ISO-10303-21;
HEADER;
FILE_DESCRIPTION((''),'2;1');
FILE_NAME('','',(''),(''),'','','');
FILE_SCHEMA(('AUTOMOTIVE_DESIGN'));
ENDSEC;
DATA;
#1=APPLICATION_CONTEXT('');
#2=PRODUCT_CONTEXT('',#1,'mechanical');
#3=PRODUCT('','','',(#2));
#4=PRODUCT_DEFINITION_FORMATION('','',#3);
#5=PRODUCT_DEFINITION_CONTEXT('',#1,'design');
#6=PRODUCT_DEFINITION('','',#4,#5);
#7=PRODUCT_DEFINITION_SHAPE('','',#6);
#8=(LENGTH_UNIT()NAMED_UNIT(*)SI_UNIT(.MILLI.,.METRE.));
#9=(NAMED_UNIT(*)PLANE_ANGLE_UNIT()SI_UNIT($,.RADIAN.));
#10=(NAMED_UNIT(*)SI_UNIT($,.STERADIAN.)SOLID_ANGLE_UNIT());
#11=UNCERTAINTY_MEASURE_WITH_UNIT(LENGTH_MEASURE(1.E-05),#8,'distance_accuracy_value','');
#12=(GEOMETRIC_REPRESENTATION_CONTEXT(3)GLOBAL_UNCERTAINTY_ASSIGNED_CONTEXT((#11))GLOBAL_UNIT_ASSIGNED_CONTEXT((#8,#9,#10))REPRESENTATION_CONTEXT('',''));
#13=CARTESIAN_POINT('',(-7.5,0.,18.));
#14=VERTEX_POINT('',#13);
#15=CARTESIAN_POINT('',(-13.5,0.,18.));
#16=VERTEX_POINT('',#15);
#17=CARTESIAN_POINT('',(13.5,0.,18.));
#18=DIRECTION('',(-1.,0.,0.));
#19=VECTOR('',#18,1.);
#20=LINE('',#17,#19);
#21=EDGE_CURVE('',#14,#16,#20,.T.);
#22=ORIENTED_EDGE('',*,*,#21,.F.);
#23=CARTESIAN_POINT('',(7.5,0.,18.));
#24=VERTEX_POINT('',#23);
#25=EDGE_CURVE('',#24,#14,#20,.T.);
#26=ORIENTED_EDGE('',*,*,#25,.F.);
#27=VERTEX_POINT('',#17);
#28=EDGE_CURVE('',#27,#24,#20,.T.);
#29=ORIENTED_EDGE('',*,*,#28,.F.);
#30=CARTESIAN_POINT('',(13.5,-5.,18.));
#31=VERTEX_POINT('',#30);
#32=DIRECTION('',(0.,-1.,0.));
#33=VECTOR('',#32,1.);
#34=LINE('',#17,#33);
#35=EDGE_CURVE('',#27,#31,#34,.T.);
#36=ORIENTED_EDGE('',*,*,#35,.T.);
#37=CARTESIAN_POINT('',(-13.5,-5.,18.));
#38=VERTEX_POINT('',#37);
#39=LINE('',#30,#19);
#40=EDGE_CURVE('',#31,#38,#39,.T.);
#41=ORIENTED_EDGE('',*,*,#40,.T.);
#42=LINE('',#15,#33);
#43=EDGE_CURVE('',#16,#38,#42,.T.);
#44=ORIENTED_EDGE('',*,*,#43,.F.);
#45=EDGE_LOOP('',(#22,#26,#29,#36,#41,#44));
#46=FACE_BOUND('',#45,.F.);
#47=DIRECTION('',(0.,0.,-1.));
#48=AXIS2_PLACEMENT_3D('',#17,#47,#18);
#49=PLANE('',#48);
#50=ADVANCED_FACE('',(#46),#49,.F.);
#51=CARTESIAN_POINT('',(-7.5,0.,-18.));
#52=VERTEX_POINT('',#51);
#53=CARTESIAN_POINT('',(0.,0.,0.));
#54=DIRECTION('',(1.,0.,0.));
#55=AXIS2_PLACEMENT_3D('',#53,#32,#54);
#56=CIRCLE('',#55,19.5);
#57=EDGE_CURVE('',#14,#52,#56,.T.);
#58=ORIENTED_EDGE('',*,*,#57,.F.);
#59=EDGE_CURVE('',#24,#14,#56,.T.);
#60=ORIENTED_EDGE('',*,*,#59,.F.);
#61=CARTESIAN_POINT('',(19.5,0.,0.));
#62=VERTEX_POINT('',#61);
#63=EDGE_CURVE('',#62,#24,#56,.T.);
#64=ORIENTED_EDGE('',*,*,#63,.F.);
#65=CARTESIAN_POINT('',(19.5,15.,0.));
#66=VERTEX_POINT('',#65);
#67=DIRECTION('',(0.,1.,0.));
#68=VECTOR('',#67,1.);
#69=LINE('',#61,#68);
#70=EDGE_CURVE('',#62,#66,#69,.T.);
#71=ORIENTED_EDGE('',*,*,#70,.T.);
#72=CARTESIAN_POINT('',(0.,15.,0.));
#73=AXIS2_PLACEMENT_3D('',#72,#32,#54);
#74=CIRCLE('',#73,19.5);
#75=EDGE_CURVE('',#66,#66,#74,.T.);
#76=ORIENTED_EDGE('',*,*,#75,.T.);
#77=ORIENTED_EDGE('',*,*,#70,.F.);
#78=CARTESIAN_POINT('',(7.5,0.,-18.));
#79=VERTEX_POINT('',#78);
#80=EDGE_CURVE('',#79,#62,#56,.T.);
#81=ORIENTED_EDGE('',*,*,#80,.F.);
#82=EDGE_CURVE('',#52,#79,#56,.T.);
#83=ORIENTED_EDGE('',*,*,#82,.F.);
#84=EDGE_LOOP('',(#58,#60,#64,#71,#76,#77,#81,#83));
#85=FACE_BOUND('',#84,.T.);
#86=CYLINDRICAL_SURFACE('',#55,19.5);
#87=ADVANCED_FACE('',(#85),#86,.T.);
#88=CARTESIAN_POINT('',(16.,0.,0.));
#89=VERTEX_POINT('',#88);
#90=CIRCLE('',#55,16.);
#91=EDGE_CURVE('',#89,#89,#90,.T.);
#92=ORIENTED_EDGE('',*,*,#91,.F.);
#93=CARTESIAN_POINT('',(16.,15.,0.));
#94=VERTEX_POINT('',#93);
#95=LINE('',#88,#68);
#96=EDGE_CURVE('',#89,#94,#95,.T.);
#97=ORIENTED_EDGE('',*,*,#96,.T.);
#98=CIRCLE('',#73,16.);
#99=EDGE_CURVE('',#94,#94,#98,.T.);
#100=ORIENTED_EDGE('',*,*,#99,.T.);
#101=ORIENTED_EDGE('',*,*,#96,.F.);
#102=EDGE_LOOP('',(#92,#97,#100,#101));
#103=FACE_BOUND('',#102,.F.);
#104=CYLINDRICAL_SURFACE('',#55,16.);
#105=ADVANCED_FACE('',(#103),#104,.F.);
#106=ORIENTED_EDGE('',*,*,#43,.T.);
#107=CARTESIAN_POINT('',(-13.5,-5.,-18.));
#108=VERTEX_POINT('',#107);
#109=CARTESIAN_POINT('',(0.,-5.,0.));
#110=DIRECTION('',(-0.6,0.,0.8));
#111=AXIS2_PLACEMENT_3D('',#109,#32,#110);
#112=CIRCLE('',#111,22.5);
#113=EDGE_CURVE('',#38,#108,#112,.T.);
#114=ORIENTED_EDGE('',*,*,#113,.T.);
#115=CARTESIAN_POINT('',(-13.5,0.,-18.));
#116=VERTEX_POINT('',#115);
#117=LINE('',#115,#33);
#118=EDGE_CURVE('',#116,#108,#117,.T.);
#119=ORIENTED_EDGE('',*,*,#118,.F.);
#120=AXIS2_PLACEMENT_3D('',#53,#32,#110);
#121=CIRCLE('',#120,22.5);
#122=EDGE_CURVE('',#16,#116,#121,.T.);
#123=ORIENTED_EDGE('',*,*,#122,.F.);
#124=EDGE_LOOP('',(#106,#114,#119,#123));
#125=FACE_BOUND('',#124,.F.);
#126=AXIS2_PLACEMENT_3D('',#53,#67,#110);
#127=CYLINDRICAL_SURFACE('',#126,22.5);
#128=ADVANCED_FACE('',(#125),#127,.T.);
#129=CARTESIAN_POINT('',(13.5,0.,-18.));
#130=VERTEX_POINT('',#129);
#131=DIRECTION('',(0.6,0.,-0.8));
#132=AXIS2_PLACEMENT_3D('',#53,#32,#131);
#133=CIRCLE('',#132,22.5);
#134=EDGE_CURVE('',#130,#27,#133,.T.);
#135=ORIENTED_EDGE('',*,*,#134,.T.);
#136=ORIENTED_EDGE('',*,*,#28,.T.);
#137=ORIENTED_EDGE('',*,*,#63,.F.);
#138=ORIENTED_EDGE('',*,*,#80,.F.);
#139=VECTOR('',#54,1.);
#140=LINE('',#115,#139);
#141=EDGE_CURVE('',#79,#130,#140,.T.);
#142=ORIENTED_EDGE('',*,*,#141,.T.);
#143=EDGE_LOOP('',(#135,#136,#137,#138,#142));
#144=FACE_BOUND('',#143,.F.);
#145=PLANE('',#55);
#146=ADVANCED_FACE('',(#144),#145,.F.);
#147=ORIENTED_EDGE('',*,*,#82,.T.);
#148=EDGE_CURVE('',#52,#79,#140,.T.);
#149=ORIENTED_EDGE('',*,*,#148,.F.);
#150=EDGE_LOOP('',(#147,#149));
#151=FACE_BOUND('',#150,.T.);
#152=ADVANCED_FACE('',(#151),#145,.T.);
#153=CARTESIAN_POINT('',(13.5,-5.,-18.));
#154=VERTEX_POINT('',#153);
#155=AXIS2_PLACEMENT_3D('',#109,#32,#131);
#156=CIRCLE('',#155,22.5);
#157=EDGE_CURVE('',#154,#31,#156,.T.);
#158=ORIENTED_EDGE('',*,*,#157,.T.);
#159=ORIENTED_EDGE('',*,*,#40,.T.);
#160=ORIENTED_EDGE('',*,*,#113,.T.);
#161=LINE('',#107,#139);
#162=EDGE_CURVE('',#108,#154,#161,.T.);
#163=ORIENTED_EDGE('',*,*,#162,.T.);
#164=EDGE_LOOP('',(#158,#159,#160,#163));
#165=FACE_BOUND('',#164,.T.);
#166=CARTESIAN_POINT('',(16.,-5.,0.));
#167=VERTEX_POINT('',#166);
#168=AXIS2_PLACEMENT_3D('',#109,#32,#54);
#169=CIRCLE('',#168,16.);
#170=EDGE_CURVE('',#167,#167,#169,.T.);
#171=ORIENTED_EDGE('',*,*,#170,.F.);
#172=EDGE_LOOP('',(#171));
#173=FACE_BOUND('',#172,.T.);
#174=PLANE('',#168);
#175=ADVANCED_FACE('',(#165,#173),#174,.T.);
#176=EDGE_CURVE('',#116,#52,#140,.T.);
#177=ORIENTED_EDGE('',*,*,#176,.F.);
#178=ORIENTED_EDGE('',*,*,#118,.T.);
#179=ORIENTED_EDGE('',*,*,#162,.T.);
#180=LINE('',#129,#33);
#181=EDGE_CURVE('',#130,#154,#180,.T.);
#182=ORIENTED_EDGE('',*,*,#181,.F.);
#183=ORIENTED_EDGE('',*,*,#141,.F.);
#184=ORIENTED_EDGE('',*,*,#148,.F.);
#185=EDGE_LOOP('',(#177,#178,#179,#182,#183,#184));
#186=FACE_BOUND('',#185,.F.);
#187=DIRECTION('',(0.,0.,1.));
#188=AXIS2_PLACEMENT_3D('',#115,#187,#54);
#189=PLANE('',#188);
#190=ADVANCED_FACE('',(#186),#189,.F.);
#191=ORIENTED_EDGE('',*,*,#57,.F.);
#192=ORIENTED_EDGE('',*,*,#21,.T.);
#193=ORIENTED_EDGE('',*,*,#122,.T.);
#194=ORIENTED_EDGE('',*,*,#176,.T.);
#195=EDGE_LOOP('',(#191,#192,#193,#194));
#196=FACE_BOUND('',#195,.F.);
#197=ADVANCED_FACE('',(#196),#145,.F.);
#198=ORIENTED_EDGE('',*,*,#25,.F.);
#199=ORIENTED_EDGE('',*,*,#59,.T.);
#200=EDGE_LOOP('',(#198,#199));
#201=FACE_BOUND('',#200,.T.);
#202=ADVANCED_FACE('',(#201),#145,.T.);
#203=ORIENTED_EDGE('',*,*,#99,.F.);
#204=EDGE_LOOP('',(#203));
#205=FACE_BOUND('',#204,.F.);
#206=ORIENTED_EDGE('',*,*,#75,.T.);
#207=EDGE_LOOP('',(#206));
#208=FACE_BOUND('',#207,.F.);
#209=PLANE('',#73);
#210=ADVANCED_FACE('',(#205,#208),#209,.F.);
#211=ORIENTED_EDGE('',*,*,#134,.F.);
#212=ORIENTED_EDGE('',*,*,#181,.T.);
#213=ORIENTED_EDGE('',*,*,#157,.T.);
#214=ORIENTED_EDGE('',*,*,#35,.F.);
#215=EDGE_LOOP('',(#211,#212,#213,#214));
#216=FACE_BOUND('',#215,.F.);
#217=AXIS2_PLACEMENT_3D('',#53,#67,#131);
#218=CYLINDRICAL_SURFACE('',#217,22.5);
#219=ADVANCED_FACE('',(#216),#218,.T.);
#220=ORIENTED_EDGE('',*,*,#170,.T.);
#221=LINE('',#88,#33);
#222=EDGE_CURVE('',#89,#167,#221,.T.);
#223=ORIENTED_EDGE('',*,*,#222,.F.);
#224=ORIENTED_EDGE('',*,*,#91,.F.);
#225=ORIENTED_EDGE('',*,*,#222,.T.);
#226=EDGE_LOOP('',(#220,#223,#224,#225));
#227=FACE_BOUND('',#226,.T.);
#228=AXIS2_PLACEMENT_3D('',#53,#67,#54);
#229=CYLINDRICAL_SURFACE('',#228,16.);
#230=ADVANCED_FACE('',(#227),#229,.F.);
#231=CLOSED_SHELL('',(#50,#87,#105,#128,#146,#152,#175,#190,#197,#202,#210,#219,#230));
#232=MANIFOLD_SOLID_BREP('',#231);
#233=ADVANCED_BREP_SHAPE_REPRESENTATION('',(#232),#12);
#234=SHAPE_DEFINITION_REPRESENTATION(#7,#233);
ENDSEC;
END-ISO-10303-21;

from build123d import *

# Parameters (mm, degrees)
F0_R     = 16
F1_DEPTH = 5
F2_R     = 19.5
F2_R_2   = 16
F3_DEPTH = 15


with BuildPart() as f1:
    # F0 (on Front) → F1 (new body)
    with BuildSketch(Plane.XZ):
        with BuildLine():
            ThreePointArc((13.5, -18), (22.5, 0), (13.5, 18))
            Line((13.5, 18), (-13.5, 18))
            ThreePointArc((-13.5, 18), (-22.5, 0), (-13.5, -18))
            Line((-13.5, -18), (13.5, -18))
        make_face()
        Circle(F0_R, mode=Mode.SUBTRACT)
    extrude(amount=F1_DEPTH)

    # F2 (on Front) → F3 (join)
    with BuildSketch(Plane.XZ):
        Circle(F2_R)
        Circle(F2_R_2, mode=Mode.SUBTRACT)
    extrude(amount=-F3_DEPTH)


solid = f1.part
